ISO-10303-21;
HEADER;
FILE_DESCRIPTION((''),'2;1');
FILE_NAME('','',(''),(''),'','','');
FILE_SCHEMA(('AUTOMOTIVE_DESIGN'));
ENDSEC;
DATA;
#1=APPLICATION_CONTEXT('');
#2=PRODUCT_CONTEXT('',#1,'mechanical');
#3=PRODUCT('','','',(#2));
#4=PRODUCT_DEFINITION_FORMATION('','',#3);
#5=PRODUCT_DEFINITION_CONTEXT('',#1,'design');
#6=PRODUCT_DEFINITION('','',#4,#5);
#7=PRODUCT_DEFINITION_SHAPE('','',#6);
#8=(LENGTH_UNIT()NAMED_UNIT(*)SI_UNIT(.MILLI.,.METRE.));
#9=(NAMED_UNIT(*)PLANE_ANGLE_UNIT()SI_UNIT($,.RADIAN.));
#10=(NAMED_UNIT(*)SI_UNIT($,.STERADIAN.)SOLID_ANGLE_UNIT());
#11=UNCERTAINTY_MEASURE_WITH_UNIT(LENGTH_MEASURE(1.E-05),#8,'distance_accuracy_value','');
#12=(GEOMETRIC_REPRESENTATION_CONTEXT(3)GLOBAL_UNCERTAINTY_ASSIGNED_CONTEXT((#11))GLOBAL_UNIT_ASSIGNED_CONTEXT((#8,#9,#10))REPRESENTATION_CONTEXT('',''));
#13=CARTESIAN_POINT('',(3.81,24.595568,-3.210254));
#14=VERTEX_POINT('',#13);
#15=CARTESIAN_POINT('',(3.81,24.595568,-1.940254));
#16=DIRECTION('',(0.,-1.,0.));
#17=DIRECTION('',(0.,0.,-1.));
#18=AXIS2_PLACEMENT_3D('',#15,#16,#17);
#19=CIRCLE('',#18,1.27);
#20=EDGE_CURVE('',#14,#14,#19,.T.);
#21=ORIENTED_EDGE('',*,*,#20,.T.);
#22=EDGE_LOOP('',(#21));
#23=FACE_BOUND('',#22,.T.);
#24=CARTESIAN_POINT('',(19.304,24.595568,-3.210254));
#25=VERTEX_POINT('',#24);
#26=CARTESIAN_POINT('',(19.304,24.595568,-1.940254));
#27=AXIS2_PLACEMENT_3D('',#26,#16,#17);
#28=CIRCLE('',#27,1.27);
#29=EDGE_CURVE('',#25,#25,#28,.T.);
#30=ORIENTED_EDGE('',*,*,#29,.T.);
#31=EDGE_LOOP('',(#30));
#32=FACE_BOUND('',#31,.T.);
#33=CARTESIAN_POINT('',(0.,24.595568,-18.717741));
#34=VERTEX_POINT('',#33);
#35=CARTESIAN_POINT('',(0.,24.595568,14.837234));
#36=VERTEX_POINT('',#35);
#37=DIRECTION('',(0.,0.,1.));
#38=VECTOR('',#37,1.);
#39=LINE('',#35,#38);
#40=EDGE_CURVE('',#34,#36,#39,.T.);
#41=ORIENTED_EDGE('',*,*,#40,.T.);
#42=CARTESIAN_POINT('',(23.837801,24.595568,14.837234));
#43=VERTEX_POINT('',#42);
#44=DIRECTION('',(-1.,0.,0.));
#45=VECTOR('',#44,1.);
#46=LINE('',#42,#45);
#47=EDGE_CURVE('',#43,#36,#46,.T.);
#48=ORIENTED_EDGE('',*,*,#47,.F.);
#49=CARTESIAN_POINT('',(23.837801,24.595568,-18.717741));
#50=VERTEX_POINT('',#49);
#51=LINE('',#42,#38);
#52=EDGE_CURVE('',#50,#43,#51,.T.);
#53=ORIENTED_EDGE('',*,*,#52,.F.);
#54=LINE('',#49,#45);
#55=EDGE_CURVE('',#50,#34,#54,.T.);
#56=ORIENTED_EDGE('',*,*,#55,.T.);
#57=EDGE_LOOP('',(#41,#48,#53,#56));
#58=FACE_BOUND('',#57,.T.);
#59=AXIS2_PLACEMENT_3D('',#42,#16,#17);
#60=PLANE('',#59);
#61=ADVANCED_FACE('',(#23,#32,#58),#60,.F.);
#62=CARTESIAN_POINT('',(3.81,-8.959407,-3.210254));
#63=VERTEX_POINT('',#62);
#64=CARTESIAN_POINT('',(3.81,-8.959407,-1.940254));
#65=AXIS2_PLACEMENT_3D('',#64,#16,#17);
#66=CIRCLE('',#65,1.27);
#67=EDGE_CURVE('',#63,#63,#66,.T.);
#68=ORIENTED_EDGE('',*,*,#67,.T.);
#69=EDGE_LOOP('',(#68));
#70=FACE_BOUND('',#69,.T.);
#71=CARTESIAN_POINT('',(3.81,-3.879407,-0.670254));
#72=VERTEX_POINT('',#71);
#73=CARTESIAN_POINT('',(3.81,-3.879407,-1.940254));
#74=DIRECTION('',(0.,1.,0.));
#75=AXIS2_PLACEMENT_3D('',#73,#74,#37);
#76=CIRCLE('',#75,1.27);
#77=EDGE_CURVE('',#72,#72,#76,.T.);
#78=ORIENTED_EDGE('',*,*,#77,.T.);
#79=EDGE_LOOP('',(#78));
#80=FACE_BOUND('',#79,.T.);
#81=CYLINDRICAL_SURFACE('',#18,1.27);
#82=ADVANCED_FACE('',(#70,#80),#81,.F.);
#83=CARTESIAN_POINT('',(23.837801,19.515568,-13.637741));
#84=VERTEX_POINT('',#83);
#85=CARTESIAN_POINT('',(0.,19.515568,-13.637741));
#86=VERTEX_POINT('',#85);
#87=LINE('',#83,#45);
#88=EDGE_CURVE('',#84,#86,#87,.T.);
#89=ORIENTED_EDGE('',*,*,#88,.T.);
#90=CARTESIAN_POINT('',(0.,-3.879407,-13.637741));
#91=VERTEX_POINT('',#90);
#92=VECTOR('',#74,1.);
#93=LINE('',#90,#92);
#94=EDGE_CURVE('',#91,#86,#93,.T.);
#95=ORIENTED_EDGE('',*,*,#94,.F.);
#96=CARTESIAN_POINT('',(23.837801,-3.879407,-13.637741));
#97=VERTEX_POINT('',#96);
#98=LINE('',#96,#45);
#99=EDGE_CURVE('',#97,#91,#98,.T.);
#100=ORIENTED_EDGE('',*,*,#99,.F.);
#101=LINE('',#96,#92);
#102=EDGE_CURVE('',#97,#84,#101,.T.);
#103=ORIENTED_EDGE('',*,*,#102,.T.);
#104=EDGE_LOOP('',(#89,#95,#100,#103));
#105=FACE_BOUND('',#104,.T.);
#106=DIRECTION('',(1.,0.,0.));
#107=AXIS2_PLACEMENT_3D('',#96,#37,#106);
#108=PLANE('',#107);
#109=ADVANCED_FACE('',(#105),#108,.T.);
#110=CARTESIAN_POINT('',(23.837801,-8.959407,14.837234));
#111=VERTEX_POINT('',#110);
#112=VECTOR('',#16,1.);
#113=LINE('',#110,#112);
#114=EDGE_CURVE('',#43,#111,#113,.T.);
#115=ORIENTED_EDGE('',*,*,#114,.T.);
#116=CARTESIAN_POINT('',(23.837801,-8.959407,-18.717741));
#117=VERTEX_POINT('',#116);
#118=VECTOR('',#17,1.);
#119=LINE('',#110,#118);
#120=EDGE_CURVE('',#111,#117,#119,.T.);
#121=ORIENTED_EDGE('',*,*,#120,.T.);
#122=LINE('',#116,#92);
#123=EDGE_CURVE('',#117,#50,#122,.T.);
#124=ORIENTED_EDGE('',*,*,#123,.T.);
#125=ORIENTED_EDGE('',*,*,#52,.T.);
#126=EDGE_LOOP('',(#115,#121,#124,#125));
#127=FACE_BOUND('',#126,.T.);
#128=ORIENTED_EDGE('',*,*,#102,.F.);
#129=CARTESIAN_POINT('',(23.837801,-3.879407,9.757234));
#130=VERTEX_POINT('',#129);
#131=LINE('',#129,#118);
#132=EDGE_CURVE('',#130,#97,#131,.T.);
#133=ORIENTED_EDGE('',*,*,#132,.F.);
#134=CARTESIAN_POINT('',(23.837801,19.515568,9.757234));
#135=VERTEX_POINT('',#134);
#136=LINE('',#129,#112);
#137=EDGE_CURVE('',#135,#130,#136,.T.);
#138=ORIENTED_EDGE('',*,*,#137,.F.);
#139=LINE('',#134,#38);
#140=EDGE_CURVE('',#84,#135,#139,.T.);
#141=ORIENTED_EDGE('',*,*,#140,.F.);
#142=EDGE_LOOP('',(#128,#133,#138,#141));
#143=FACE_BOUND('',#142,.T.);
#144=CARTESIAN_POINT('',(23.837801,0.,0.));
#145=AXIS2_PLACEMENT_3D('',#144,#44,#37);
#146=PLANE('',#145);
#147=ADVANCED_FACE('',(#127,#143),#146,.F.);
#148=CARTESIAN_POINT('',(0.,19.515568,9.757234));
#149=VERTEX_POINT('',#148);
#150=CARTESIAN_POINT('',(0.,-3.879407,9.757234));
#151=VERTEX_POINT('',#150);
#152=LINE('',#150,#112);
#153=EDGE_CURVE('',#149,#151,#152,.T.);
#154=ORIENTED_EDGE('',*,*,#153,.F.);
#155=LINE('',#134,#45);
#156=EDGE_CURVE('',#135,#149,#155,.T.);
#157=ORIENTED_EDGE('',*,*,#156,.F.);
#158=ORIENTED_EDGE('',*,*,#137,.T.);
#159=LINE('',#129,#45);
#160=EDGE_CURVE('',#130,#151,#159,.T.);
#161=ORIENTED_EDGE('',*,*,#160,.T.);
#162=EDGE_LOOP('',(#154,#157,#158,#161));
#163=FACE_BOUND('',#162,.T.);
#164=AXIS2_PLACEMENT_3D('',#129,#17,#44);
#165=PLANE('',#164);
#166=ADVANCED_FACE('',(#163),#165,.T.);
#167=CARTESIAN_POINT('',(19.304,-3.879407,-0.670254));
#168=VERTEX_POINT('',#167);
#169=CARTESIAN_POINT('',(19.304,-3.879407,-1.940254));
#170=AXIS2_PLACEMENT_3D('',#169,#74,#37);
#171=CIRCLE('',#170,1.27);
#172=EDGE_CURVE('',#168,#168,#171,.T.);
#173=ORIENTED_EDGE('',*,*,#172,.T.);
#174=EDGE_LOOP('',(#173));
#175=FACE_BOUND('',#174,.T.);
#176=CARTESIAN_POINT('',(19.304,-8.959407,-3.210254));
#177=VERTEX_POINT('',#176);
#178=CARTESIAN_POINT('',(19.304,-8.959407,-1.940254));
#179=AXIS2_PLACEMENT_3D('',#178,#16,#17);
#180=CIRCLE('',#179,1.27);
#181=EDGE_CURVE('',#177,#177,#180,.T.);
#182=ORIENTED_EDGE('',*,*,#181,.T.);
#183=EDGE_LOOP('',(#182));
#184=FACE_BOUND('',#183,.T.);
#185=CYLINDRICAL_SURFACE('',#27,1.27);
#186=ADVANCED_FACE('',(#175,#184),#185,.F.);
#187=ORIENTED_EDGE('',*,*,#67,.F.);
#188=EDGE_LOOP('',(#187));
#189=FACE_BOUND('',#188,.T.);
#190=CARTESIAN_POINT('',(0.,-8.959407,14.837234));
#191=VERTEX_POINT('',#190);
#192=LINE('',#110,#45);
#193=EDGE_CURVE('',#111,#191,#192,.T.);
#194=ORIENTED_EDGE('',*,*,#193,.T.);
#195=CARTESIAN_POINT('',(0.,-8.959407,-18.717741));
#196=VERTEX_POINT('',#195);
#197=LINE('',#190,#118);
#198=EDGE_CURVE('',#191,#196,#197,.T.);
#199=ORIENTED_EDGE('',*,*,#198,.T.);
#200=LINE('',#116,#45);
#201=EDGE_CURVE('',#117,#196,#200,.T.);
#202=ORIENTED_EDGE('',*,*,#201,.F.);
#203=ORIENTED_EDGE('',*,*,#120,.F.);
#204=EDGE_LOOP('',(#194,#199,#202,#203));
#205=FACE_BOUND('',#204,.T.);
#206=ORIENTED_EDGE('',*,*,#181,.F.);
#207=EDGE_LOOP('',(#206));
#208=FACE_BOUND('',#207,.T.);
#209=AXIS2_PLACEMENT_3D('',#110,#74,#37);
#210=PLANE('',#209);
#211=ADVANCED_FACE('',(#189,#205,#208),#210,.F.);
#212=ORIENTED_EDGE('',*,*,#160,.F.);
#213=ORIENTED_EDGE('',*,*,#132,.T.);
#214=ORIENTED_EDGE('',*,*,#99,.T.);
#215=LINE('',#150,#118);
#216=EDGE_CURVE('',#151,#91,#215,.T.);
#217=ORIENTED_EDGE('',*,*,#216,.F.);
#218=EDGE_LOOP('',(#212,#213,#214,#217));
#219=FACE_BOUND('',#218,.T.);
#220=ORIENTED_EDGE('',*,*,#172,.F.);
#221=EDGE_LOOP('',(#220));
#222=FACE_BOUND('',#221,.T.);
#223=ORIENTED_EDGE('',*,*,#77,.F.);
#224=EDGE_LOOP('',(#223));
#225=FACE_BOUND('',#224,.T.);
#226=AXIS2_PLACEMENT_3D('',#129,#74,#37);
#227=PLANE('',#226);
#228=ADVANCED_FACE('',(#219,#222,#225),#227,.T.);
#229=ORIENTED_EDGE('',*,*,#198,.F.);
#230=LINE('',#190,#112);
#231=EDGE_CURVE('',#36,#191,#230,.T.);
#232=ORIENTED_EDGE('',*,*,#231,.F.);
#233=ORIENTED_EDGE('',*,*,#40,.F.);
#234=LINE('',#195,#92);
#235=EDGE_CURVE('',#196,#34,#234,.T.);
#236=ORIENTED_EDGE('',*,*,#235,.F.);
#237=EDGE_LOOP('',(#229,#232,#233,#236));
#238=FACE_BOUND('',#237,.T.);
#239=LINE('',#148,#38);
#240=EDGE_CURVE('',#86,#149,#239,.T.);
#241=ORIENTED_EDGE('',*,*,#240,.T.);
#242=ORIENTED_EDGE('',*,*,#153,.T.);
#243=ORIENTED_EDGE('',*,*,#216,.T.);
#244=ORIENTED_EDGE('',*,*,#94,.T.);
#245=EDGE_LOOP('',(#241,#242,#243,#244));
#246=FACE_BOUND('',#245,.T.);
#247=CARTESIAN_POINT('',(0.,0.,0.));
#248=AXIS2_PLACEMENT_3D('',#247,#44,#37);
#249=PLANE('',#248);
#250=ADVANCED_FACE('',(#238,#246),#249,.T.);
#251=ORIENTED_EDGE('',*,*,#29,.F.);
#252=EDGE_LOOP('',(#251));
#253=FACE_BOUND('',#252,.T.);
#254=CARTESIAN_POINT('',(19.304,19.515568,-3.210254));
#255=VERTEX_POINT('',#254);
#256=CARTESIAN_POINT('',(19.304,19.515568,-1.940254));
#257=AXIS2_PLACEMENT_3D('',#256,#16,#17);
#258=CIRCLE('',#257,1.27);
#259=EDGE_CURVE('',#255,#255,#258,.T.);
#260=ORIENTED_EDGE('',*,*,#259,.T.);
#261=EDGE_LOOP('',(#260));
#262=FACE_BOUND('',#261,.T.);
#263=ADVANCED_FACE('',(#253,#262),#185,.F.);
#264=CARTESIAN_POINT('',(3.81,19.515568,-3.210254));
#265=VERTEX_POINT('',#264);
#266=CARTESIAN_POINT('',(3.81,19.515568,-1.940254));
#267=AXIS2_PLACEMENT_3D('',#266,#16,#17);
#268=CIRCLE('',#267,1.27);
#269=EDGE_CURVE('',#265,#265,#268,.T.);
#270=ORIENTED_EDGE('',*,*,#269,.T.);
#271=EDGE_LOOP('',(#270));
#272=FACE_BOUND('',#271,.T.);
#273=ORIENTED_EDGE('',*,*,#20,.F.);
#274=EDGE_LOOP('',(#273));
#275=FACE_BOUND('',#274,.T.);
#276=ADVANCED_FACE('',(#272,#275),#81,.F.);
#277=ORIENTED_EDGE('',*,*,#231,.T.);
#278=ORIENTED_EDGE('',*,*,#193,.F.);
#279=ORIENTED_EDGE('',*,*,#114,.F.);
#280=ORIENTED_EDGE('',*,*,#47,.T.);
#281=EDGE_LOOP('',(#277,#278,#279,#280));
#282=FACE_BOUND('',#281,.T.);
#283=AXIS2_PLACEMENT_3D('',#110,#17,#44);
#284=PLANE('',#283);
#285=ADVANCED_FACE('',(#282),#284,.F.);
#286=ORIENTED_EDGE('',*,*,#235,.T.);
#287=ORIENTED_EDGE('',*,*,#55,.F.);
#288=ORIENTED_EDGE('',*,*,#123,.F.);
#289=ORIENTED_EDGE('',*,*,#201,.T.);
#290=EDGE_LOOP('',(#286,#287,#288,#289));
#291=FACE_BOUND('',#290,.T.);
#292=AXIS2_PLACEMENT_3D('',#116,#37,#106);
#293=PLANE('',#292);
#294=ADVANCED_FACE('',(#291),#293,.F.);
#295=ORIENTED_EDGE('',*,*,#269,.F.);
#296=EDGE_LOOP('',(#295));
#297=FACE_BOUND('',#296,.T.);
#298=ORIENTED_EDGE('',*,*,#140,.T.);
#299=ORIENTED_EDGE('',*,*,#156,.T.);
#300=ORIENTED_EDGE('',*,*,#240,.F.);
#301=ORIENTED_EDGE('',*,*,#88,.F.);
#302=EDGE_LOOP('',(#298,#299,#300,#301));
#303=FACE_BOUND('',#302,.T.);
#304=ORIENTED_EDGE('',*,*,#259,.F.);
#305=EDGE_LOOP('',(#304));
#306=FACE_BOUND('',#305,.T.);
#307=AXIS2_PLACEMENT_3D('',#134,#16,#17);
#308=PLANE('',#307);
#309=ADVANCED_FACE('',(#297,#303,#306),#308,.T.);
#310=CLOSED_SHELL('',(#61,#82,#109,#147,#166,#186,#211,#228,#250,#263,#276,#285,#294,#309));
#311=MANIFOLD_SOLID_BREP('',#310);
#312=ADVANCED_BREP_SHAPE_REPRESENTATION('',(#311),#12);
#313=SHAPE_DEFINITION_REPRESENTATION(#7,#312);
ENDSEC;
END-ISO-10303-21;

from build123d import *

# Parameters (mm, degrees)
SKETCH1_W           = 33.554975054
SKETCH1_H           = 33.554975054
SKETCH1_W_2         = 23.394975054
SKETCH1_H_2         = 23.394975054
BOSS_EXTRUDE1_DEPTH = 23.837801194
SKETCH2_R           = 1.27
CUT_EXTRUDE1_DEPTH  = 46.216489821


with BuildPart() as part:
    # Sketch1 → Boss-Extrude1 (new body)
    with BuildSketch(Plane(origin=(0, 0, 0), x_dir=(0, 0, -1), z_dir=(1, 0, 0))):
        with Locations((1.94025366, 7.818080922)):
            Rectangle(SKETCH1_W, SKETCH1_H)
        with Locations((1.94025366, 7.818080922)):
            Rectangle(SKETCH1_W_2, SKETCH1_H_2, mode=Mode.SUBTRACT)
    extrude(amount=BOSS_EXTRUDE1_DEPTH)

    # Sketch2 → Cut-Extrude1 (cut, through all)
    with BuildSketch(Plane.XZ.offset(8.959406605)):
        with Locations(Location((3.81, -1.94025366, 0), (0, 0, 270))):
            Circle(SKETCH2_R)
        with Locations(Location((19.304, -1.94025366, 0), (0, 0, 270))):
            Circle(SKETCH2_R)
    extrude(amount=-CUT_EXTRUDE1_DEPTH, mode=Mode.SUBTRACT)


solid = part.part
